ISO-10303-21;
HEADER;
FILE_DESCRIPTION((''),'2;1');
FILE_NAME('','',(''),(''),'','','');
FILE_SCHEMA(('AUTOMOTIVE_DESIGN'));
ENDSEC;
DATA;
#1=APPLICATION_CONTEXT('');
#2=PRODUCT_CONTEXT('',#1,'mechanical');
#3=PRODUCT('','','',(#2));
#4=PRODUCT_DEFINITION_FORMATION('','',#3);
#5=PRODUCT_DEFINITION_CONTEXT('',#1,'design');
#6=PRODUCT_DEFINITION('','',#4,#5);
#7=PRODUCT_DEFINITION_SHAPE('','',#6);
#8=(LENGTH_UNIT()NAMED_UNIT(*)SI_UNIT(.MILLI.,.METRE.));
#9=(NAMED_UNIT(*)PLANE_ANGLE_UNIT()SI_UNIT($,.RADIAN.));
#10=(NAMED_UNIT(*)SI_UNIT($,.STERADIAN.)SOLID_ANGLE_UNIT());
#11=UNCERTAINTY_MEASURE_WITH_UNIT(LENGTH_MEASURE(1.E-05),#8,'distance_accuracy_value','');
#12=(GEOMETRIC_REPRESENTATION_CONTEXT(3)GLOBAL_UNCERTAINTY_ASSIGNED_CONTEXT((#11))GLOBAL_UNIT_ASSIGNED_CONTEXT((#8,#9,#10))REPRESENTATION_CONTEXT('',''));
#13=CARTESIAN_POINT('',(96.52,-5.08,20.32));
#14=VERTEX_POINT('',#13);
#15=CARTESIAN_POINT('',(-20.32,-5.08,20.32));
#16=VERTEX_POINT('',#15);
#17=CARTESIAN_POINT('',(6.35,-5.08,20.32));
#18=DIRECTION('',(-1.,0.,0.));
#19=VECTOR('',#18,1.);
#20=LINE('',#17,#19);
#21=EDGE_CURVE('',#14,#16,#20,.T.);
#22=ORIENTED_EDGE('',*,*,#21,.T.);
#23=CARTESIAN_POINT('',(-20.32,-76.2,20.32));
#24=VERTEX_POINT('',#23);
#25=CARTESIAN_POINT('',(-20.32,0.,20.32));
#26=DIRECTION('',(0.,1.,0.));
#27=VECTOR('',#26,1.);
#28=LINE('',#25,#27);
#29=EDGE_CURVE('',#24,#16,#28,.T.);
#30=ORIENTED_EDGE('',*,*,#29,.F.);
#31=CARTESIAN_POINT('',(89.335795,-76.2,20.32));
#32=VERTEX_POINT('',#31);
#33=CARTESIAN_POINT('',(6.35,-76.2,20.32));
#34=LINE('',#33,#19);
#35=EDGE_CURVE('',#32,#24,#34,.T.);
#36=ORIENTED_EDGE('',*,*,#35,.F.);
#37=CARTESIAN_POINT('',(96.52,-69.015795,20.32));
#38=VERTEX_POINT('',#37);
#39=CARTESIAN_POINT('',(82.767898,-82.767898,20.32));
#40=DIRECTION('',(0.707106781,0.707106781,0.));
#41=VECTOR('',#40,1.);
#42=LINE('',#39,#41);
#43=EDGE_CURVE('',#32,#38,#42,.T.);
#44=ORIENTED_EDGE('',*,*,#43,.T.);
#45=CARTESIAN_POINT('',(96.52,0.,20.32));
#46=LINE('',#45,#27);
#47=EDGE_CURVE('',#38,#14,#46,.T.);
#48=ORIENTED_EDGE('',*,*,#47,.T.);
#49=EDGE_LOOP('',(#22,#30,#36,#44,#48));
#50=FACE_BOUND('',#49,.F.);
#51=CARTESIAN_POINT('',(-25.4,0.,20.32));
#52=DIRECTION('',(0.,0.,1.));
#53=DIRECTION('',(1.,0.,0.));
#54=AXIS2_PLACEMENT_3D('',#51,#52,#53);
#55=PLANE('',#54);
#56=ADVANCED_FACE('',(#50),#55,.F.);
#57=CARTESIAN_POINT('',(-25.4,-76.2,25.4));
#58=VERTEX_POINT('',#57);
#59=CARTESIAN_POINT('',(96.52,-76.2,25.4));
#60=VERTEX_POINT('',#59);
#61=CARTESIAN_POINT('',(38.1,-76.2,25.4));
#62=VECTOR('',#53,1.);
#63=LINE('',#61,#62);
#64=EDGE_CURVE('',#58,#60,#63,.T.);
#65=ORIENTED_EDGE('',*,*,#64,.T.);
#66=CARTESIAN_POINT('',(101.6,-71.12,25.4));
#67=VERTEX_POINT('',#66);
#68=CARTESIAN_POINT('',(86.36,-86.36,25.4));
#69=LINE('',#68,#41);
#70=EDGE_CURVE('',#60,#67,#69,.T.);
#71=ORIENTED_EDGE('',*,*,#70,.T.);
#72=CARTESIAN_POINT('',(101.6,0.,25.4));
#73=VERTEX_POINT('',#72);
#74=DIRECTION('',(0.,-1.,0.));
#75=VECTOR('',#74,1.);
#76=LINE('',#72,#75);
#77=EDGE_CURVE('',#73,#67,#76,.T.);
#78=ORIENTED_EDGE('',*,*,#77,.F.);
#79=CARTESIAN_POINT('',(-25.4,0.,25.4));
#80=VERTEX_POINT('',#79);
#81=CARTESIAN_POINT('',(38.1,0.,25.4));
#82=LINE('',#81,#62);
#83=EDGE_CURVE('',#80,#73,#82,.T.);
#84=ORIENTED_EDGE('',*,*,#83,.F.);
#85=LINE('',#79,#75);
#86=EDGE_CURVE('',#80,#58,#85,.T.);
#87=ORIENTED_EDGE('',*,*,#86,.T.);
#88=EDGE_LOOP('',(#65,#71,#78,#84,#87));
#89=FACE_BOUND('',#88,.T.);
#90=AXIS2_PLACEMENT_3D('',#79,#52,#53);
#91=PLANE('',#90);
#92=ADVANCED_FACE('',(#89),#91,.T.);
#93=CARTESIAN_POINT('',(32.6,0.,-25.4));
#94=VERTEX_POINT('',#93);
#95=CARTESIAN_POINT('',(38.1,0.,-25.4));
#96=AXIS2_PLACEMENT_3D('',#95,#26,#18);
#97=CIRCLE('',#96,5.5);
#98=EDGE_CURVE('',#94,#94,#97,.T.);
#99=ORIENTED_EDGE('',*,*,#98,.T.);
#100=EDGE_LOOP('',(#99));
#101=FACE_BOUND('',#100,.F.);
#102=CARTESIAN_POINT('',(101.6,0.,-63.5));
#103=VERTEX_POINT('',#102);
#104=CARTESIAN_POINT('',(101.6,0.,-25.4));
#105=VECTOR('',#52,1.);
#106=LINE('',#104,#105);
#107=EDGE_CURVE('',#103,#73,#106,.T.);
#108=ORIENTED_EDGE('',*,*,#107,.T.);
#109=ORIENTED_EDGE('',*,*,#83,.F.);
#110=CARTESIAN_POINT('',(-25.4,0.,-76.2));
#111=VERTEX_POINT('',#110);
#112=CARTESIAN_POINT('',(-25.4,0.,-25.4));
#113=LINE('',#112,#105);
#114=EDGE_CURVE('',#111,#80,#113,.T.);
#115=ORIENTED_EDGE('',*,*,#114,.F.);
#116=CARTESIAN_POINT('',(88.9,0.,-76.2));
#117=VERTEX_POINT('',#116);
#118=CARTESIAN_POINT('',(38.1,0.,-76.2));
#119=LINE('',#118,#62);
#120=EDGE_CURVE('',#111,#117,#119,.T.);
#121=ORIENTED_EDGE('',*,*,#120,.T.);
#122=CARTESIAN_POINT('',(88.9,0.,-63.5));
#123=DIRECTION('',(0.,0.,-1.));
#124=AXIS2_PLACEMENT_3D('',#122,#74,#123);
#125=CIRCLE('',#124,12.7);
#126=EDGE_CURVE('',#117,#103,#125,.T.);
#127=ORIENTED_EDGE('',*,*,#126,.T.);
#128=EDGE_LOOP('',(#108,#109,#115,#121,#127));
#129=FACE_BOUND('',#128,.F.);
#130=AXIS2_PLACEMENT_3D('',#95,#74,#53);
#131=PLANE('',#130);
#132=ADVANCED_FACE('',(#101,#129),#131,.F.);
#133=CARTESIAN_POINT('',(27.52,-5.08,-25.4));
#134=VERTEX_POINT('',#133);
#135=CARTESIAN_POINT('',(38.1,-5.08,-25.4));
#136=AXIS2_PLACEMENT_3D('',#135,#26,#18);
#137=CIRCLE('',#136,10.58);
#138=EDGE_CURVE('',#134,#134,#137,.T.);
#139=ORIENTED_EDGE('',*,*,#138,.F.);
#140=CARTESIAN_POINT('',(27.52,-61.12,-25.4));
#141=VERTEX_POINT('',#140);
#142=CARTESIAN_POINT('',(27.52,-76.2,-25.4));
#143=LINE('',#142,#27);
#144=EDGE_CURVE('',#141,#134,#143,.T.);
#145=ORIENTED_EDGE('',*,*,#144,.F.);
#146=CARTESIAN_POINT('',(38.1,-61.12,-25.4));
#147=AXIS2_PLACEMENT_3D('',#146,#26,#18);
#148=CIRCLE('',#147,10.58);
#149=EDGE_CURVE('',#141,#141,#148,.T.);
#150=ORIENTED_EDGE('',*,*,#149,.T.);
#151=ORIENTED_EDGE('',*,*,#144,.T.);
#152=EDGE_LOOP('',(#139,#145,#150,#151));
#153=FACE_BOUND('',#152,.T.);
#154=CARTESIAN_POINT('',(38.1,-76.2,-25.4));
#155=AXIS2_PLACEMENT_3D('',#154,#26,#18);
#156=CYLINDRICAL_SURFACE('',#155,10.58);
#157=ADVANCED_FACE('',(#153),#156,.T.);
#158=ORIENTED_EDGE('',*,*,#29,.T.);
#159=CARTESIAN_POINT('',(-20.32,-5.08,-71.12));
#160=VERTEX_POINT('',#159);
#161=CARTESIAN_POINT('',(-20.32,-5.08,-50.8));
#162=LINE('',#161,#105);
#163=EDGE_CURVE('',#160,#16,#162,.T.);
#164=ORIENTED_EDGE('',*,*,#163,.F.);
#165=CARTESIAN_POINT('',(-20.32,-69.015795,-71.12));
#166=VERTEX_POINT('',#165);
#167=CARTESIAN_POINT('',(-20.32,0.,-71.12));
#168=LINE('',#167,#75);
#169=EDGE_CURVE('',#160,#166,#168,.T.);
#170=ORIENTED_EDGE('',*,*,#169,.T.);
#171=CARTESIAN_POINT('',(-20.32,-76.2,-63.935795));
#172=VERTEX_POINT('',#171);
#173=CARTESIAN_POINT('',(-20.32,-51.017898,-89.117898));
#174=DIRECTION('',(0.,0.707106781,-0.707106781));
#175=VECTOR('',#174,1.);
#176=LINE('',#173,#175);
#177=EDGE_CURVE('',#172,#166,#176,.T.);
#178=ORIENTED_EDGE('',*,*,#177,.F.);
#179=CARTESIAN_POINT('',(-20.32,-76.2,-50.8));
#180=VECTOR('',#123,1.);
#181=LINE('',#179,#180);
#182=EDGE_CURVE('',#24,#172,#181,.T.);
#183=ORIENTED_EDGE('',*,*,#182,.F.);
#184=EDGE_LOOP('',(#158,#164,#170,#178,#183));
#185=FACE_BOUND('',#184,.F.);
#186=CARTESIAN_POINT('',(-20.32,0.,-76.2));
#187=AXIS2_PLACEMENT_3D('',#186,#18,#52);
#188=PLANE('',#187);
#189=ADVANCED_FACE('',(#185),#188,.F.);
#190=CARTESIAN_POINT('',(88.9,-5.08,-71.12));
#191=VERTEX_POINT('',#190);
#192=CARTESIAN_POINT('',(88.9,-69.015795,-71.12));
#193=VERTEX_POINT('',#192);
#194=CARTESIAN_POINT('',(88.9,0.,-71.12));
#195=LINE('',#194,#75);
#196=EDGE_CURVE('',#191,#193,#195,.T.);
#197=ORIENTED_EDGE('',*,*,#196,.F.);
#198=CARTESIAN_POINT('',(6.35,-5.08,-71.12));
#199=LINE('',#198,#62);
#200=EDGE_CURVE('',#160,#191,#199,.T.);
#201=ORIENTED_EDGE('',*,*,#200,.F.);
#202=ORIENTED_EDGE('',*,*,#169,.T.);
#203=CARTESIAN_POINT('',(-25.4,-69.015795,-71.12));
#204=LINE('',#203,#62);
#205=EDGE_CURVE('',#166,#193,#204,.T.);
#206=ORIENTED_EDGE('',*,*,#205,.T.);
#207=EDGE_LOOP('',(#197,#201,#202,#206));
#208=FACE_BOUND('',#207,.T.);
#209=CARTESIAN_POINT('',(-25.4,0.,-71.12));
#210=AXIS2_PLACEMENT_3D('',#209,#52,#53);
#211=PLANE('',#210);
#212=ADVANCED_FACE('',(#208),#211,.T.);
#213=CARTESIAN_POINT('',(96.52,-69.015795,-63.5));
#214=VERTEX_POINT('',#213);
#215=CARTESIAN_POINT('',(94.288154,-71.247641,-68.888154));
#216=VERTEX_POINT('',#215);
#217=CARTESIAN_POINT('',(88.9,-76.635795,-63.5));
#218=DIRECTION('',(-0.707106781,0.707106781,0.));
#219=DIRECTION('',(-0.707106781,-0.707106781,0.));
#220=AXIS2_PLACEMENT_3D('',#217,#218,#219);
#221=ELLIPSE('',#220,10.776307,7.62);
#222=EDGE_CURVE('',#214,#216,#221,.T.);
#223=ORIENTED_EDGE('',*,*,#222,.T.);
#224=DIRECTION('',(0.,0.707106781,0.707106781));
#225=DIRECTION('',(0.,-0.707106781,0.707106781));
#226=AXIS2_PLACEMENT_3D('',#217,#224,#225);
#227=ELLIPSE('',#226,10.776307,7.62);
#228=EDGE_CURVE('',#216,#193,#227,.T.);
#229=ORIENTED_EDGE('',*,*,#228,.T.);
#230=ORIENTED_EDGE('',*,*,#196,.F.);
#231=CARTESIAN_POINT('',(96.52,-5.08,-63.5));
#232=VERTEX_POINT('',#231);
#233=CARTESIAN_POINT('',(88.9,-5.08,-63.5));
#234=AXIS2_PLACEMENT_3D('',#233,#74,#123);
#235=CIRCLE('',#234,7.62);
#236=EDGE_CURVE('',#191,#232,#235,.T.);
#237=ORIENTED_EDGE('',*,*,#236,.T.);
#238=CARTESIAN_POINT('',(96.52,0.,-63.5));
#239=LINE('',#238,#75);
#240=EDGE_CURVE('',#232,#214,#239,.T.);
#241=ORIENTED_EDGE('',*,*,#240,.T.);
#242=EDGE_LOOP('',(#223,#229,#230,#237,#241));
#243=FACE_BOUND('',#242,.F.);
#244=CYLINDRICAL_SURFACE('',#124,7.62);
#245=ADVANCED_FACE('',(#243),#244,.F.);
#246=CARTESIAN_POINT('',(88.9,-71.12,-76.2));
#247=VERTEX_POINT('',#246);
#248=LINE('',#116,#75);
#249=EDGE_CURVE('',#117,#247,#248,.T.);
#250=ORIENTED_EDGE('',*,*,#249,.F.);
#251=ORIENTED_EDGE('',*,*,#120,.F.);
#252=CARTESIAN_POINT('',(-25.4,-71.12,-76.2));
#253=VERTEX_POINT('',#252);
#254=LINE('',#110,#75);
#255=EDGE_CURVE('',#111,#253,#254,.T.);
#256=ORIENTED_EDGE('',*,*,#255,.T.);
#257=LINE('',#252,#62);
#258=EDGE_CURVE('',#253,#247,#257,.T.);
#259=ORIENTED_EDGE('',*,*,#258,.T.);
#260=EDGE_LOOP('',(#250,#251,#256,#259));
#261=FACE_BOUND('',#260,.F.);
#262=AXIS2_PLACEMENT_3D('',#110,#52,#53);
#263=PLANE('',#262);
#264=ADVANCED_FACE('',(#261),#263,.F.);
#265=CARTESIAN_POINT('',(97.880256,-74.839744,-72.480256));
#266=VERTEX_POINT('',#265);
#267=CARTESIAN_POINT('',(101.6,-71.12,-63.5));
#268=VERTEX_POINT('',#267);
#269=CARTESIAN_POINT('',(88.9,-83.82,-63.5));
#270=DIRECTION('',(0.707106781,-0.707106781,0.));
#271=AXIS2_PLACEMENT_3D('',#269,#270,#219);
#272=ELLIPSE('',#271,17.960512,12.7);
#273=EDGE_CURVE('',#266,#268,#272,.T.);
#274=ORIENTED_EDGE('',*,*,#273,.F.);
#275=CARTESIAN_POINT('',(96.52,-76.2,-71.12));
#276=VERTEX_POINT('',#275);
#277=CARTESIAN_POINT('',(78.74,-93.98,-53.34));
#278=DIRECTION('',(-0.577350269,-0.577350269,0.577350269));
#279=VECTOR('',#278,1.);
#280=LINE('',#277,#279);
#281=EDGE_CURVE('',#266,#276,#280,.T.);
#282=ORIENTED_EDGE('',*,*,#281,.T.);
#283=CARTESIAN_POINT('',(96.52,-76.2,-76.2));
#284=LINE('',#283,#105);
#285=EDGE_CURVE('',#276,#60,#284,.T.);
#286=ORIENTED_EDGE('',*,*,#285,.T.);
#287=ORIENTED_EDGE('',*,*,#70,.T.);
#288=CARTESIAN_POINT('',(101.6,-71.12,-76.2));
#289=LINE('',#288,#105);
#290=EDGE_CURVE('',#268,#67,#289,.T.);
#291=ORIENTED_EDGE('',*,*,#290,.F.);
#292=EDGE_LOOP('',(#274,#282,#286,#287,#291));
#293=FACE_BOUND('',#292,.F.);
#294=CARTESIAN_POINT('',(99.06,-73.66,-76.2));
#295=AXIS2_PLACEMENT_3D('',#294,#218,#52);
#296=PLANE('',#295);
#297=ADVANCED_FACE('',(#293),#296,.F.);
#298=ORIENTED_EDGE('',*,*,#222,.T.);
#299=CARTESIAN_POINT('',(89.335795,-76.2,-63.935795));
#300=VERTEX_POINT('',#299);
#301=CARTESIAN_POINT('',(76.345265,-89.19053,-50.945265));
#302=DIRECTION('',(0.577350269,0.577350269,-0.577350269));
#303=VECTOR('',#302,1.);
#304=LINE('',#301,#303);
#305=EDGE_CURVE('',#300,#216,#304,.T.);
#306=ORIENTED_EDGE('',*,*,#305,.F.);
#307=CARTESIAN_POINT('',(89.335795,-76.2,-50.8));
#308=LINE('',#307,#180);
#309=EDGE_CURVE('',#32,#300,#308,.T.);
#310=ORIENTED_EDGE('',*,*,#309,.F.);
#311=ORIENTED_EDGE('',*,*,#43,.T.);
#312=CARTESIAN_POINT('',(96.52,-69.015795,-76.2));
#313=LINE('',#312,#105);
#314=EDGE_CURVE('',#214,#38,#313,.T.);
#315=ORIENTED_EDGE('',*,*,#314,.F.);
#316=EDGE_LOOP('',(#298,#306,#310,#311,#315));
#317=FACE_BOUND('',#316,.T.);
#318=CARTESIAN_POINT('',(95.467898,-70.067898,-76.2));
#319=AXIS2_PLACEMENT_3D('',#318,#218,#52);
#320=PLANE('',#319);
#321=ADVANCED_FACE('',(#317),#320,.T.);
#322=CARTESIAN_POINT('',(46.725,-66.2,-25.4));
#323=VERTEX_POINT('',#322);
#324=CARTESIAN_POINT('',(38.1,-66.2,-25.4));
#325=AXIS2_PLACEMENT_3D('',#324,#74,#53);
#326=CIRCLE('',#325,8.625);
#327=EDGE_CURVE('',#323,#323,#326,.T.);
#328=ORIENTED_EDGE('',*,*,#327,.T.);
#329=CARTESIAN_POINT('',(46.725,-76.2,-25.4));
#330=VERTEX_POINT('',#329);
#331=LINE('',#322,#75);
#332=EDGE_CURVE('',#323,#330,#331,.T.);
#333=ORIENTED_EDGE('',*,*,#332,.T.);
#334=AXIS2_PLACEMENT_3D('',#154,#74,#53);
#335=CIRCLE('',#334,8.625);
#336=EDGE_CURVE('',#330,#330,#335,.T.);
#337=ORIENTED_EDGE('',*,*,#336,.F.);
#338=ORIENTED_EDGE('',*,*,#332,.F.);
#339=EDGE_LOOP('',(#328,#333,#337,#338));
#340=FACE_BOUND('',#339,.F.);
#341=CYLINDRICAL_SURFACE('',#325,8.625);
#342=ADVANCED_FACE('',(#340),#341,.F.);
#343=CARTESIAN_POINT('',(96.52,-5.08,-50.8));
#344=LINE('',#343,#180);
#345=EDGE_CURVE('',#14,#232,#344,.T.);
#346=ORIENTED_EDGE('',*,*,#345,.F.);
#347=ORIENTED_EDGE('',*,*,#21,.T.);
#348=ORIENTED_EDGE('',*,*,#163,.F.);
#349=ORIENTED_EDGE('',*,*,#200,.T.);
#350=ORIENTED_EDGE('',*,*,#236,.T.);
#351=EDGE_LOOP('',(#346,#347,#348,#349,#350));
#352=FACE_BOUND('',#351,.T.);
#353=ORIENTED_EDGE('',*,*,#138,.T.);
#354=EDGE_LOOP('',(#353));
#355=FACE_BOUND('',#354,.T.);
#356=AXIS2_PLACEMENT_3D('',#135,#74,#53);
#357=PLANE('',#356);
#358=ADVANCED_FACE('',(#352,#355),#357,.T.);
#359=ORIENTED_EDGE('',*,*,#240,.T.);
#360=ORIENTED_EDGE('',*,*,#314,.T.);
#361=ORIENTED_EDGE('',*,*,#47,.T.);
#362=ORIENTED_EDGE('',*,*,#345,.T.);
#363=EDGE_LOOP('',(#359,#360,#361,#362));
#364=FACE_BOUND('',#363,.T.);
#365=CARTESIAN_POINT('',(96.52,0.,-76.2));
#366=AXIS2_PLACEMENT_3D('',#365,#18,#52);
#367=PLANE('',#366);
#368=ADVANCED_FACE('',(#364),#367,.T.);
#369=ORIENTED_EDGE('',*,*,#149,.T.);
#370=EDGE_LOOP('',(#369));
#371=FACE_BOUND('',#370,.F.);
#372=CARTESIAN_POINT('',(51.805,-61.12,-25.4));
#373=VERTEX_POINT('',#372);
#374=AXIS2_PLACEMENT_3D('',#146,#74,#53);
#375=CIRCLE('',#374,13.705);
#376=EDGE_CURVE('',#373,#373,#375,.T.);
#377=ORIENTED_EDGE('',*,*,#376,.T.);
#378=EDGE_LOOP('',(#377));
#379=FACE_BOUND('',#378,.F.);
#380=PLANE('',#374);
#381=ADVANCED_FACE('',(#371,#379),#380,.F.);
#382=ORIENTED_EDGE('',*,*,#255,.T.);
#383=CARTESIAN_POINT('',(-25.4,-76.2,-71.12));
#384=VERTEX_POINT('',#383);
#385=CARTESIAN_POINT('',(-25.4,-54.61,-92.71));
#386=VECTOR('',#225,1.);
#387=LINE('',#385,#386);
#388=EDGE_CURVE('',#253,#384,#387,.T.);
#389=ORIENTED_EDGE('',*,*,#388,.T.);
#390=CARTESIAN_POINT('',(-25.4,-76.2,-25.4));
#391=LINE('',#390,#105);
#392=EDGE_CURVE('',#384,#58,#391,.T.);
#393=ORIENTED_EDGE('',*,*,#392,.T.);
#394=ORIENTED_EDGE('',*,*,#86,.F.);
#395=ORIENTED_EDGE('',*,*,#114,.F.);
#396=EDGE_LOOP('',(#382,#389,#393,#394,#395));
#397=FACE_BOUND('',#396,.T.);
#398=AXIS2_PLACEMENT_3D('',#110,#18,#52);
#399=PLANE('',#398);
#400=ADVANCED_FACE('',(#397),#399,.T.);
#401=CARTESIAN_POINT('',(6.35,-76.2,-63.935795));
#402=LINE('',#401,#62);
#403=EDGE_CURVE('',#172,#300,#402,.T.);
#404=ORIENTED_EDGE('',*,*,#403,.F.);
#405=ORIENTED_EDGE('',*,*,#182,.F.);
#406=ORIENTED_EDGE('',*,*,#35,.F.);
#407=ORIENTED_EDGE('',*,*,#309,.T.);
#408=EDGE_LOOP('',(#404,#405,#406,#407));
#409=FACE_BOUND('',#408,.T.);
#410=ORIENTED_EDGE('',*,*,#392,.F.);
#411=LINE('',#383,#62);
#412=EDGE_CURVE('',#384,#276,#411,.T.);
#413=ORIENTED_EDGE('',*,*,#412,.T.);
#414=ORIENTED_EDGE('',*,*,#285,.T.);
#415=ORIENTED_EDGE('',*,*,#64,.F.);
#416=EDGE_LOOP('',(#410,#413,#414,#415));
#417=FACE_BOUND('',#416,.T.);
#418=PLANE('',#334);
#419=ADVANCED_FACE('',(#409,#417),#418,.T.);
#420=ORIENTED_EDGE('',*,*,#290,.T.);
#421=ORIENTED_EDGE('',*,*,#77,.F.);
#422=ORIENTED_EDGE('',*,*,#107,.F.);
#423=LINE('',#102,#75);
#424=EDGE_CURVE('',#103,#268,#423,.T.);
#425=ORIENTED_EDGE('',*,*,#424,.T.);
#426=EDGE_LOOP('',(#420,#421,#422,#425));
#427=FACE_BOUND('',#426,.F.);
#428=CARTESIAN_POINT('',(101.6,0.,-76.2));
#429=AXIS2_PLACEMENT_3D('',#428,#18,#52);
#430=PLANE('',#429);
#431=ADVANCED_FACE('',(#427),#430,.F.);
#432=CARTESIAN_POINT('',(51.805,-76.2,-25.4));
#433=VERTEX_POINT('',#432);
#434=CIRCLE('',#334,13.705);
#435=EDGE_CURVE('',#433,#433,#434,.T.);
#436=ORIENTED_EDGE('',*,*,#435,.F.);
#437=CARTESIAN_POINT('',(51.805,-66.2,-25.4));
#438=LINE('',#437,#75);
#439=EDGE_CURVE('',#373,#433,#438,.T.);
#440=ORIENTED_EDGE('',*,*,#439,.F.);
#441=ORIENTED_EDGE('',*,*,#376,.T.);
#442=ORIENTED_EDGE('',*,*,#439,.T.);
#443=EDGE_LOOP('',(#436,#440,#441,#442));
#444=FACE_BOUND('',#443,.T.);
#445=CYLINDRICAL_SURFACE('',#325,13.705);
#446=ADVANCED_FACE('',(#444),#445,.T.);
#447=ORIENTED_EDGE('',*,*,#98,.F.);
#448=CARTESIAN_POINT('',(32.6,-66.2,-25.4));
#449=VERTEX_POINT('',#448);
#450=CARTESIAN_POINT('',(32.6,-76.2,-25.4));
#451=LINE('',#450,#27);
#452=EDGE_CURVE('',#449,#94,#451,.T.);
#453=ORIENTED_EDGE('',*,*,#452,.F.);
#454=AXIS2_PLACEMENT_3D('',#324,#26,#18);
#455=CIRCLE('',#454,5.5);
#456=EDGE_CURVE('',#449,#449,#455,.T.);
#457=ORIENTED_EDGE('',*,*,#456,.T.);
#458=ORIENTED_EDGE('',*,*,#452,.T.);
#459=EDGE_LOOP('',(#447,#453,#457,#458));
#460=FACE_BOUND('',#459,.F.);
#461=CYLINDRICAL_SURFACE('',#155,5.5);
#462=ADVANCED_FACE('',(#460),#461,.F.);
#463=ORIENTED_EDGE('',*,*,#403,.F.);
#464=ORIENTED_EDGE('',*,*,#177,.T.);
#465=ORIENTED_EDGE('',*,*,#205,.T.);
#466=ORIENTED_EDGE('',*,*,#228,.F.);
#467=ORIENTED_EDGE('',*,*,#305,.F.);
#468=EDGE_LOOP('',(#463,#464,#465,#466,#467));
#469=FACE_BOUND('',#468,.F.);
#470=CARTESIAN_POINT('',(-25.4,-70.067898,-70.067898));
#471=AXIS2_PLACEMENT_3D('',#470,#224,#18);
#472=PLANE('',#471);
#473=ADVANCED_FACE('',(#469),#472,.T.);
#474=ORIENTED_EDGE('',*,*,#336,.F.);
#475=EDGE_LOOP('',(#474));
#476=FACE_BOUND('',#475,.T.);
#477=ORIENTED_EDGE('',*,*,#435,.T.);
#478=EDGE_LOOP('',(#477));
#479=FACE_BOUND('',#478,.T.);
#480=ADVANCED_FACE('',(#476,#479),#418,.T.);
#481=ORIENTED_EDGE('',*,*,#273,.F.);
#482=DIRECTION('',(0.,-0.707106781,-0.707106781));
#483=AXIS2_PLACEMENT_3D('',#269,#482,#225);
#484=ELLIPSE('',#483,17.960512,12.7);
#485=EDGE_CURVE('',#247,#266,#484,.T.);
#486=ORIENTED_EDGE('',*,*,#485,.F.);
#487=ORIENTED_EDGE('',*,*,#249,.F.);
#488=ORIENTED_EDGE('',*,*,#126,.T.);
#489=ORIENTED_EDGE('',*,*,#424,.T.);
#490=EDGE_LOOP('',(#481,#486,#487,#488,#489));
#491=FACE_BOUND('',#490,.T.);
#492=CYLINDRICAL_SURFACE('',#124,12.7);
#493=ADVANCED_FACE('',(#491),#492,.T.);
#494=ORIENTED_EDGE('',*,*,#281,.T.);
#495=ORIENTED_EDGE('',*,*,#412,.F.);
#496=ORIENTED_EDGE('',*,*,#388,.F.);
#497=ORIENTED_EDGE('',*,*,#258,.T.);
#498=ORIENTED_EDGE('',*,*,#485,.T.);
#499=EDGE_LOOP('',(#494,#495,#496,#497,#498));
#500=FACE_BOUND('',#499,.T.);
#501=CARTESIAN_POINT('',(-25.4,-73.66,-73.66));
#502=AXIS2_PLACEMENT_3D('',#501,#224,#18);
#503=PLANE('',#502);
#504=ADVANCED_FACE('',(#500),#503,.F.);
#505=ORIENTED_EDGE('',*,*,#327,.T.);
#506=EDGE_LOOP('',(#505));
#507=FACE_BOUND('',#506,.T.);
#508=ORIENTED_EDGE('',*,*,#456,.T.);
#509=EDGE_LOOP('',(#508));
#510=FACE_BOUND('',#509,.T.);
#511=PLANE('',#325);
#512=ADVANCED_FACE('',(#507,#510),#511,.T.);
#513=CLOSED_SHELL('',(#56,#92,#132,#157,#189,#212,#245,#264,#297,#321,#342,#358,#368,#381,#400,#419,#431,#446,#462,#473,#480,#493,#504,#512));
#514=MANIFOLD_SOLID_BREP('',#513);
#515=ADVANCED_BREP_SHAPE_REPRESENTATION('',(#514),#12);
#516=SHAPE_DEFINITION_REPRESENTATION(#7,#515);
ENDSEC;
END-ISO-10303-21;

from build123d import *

# Parameters (mm, degrees)
F0_W           = 127
F0_H           = 101.6
F1_DEPTH       = 76.2
F3_D           = 11
F3_CBORE_D     = 17.25
F3_CBORE_DEPTH = 10
F4_SIZE        = 5.08
F5_R           = 12.7
F6_T           = -5.08


with BuildPart() as f1:
    # F0 (on Front) → F1 (new body)
    with BuildSketch(Plane.XZ):
        with Locations((38.1, -25.4)):
            Rectangle(F0_W, F0_H)
    extrude(amount=F1_DEPTH)

    # F3 (through all)
    with Locations(Plane.XZ.offset(76.2)):
        with Locations((38.1, -25.4)):
            CounterBoreHole(F3_D / 2, F3_CBORE_D / 2, F3_CBORE_DEPTH)

    # F4
    f4_edges = [f1.edges().sort_by_distance(p)[0] for p in [
        (38.1, -76.2, -76.2),
        (101.6, -76.2, -25.4),
    ]]
    chamfer(f4_edges, length=F4_SIZE)

    # F5
    f5_edges = [f1.edges().sort_by_distance(p)[0] for p in [
        (101.6, -35.56, -76.2),
    ]]
    fillet(f5_edges, radius=F5_R)

    # F6
    f6_openings = [f1.faces().sort_by_distance(p)[0] for p in [
        (35.56, -76.2, 23.844989),
    ]]
    offset(amount=F6_T, openings=f6_openings, kind=Kind.INTERSECTION)


solid = f1.part
